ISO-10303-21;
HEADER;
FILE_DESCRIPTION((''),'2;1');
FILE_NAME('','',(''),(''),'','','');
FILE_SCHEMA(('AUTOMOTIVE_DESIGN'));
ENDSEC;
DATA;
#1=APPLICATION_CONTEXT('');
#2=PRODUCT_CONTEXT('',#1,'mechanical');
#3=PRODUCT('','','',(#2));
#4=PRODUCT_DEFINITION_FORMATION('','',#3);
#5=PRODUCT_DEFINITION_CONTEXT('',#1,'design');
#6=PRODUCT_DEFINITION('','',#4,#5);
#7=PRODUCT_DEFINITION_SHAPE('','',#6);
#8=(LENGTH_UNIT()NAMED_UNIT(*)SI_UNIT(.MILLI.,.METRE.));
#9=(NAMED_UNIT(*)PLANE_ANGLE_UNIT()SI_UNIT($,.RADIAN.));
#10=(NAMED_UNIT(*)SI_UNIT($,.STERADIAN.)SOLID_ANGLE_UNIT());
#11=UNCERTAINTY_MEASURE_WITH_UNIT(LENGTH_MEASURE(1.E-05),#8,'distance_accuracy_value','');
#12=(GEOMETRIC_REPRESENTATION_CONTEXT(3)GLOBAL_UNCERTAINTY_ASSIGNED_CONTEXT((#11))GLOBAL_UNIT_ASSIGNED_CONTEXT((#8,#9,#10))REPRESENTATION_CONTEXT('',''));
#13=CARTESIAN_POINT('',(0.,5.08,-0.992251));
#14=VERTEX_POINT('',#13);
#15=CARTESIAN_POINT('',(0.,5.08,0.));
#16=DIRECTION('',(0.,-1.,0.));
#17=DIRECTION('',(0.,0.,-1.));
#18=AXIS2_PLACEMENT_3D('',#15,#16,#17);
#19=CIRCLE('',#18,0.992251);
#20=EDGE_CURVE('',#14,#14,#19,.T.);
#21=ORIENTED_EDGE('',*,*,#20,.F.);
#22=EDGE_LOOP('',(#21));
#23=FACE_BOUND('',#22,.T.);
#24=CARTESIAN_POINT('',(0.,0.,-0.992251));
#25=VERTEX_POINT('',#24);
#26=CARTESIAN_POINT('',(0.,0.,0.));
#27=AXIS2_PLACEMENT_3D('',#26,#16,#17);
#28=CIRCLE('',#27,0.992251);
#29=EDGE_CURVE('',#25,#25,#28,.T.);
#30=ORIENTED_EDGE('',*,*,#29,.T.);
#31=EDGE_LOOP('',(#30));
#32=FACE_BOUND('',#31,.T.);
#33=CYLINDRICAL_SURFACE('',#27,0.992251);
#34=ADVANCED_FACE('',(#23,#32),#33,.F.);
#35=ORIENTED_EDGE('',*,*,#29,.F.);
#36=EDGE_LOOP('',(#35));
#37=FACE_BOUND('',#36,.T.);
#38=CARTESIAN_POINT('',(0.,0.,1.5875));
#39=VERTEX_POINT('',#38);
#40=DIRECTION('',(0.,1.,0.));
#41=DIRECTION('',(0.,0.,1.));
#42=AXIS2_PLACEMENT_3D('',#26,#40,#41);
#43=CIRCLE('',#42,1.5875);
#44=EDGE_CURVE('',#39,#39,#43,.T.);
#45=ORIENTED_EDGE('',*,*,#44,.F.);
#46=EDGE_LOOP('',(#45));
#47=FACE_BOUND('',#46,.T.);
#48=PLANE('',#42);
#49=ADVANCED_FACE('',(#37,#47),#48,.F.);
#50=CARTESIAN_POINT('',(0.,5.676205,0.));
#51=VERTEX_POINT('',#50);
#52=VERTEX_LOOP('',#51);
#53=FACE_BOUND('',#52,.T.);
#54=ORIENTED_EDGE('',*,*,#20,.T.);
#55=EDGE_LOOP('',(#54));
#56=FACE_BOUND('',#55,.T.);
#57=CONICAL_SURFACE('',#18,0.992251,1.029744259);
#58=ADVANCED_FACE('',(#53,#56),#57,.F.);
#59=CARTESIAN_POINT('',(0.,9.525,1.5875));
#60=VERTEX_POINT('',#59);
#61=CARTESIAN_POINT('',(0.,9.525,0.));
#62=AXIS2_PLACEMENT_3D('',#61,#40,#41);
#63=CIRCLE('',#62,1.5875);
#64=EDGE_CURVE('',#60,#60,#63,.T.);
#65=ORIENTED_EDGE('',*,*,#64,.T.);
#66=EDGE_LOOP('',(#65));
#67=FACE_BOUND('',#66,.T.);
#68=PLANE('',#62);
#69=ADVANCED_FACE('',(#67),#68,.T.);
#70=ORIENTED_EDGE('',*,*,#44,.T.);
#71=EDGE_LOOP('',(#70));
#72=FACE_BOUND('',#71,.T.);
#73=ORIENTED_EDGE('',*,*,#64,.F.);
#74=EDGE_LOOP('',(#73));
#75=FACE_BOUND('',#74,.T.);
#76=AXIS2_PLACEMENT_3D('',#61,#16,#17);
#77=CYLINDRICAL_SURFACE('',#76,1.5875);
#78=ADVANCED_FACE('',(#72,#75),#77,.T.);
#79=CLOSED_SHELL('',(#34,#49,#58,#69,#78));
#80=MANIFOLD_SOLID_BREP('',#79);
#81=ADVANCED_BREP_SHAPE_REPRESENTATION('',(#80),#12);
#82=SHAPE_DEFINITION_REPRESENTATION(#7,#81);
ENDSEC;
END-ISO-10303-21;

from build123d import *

# Parameters (mm, degrees)
SKETCH1_R                           = 1.5875
BOSS_EXTRUDE1_DEPTH                 = 9.525
F_5_64_0_07813_DIAMETER_HOLE1_D     = 1.984502
F_5_64_0_07813_DIAMETER_HOLE1_DEPTH = 5.08
F_5_64_0_07813_DIAMETER_HOLE1_TIP   = 0.59620455


with BuildPart() as part:
    # Sketch1 → Boss-Extrude1 (new body)
    with BuildSketch(Plane(origin=(0, 0, 0), x_dir=(1, 0, 0), z_dir=(0, 1, 0))):
        Circle(SKETCH1_R)
    extrude(amount=BOSS_EXTRUDE1_DEPTH)

    # 5/64 (0.07813) Diameter Hole1
    with Locations(Plane(origin=(0, 0, 0), x_dir=(-1, 0, 0), z_dir=(0, -1, 0))):
        with Locations((0, 0)):
            Hole(F_5_64_0_07813_DIAMETER_HOLE1_D / 2, depth=F_5_64_0_07813_DIAMETER_HOLE1_DEPTH)
            with Locations((0, 0, -(F_5_64_0_07813_DIAMETER_HOLE1_DEPTH + F_5_64_0_07813_DIAMETER_HOLE1_TIP / 2))):  # 118° drill point
                Cone(0, F_5_64_0_07813_DIAMETER_HOLE1_D / 2, F_5_64_0_07813_DIAMETER_HOLE1_TIP, mode=Mode.SUBTRACT)


solid = part.part
